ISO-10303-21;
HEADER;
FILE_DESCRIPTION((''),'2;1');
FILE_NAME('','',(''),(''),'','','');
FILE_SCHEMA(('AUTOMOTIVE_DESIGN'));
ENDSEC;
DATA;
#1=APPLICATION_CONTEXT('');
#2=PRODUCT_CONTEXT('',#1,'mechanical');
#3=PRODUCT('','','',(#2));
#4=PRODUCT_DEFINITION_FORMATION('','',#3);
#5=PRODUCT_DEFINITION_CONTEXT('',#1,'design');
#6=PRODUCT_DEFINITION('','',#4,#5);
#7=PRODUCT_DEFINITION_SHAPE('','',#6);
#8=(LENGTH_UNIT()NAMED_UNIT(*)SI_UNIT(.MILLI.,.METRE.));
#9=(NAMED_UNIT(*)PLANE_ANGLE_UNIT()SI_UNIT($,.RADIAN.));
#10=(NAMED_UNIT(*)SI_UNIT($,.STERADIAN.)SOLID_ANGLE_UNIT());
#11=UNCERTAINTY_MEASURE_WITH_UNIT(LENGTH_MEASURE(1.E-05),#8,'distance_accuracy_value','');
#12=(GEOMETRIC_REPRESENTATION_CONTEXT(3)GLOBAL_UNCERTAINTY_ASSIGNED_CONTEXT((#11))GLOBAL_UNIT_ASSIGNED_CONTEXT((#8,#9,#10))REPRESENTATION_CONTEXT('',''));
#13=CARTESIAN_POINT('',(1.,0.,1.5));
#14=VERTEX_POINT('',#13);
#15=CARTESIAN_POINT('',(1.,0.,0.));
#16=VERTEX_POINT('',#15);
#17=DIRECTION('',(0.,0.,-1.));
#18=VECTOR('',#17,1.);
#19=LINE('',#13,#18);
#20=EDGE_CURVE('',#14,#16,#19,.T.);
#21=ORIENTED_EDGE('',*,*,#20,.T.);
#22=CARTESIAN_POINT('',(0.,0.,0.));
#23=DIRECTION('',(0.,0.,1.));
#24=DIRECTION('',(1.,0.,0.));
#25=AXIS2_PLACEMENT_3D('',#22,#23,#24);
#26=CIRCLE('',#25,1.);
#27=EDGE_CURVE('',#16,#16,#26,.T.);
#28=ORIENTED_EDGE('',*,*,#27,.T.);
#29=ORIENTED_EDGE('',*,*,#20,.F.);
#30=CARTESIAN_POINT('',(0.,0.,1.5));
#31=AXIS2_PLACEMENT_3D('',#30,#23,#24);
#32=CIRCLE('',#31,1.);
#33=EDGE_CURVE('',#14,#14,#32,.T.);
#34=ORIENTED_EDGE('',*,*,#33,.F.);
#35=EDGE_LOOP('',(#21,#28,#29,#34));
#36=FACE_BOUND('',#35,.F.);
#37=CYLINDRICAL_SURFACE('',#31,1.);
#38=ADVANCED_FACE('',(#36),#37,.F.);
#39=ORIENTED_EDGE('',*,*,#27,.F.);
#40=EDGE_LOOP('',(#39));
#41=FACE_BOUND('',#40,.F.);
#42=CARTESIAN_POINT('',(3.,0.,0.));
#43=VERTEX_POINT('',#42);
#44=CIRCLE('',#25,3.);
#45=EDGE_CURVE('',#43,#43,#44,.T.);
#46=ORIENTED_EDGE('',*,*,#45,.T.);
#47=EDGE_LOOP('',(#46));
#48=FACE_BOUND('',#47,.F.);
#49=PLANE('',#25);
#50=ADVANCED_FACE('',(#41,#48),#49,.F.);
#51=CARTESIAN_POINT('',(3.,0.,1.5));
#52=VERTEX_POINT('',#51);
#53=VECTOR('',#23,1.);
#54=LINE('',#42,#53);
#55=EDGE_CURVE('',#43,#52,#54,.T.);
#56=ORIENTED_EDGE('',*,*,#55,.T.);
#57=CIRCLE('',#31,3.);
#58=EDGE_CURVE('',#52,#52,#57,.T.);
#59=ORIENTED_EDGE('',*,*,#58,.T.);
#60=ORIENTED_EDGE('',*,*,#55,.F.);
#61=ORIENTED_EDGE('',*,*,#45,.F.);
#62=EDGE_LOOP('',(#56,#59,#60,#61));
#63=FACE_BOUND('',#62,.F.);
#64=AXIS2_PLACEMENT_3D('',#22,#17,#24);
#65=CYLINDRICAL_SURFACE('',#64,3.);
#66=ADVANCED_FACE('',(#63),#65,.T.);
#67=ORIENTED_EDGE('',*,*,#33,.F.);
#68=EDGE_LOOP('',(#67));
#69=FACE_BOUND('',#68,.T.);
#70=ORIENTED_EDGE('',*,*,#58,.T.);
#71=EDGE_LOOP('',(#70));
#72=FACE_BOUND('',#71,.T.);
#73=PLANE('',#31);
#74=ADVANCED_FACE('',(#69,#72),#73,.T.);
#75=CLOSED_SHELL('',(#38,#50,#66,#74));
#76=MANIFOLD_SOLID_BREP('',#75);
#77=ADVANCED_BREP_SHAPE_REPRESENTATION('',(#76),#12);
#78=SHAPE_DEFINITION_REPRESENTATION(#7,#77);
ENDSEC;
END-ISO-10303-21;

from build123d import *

# Parameters (mm, degrees)
SKETCH_R     = 3
PAD_DEPTH    = 1.5
SKETCH001_R  = 1
POCKET_DEPTH = 1.5


with BuildPart() as part:
    # Sketch → Pad (new body)
    with BuildSketch(Plane.XY):
        Circle(SKETCH_R)
    extrude(amount=PAD_DEPTH)

    # Sketch001 (on Face3 of Pad) → Pocket (cut)
    with BuildSketch(Plane.XY.offset(1.5)):
        Circle(SKETCH001_R)
    extrude(amount=-POCKET_DEPTH, mode=Mode.SUBTRACT)


solid = part.part
